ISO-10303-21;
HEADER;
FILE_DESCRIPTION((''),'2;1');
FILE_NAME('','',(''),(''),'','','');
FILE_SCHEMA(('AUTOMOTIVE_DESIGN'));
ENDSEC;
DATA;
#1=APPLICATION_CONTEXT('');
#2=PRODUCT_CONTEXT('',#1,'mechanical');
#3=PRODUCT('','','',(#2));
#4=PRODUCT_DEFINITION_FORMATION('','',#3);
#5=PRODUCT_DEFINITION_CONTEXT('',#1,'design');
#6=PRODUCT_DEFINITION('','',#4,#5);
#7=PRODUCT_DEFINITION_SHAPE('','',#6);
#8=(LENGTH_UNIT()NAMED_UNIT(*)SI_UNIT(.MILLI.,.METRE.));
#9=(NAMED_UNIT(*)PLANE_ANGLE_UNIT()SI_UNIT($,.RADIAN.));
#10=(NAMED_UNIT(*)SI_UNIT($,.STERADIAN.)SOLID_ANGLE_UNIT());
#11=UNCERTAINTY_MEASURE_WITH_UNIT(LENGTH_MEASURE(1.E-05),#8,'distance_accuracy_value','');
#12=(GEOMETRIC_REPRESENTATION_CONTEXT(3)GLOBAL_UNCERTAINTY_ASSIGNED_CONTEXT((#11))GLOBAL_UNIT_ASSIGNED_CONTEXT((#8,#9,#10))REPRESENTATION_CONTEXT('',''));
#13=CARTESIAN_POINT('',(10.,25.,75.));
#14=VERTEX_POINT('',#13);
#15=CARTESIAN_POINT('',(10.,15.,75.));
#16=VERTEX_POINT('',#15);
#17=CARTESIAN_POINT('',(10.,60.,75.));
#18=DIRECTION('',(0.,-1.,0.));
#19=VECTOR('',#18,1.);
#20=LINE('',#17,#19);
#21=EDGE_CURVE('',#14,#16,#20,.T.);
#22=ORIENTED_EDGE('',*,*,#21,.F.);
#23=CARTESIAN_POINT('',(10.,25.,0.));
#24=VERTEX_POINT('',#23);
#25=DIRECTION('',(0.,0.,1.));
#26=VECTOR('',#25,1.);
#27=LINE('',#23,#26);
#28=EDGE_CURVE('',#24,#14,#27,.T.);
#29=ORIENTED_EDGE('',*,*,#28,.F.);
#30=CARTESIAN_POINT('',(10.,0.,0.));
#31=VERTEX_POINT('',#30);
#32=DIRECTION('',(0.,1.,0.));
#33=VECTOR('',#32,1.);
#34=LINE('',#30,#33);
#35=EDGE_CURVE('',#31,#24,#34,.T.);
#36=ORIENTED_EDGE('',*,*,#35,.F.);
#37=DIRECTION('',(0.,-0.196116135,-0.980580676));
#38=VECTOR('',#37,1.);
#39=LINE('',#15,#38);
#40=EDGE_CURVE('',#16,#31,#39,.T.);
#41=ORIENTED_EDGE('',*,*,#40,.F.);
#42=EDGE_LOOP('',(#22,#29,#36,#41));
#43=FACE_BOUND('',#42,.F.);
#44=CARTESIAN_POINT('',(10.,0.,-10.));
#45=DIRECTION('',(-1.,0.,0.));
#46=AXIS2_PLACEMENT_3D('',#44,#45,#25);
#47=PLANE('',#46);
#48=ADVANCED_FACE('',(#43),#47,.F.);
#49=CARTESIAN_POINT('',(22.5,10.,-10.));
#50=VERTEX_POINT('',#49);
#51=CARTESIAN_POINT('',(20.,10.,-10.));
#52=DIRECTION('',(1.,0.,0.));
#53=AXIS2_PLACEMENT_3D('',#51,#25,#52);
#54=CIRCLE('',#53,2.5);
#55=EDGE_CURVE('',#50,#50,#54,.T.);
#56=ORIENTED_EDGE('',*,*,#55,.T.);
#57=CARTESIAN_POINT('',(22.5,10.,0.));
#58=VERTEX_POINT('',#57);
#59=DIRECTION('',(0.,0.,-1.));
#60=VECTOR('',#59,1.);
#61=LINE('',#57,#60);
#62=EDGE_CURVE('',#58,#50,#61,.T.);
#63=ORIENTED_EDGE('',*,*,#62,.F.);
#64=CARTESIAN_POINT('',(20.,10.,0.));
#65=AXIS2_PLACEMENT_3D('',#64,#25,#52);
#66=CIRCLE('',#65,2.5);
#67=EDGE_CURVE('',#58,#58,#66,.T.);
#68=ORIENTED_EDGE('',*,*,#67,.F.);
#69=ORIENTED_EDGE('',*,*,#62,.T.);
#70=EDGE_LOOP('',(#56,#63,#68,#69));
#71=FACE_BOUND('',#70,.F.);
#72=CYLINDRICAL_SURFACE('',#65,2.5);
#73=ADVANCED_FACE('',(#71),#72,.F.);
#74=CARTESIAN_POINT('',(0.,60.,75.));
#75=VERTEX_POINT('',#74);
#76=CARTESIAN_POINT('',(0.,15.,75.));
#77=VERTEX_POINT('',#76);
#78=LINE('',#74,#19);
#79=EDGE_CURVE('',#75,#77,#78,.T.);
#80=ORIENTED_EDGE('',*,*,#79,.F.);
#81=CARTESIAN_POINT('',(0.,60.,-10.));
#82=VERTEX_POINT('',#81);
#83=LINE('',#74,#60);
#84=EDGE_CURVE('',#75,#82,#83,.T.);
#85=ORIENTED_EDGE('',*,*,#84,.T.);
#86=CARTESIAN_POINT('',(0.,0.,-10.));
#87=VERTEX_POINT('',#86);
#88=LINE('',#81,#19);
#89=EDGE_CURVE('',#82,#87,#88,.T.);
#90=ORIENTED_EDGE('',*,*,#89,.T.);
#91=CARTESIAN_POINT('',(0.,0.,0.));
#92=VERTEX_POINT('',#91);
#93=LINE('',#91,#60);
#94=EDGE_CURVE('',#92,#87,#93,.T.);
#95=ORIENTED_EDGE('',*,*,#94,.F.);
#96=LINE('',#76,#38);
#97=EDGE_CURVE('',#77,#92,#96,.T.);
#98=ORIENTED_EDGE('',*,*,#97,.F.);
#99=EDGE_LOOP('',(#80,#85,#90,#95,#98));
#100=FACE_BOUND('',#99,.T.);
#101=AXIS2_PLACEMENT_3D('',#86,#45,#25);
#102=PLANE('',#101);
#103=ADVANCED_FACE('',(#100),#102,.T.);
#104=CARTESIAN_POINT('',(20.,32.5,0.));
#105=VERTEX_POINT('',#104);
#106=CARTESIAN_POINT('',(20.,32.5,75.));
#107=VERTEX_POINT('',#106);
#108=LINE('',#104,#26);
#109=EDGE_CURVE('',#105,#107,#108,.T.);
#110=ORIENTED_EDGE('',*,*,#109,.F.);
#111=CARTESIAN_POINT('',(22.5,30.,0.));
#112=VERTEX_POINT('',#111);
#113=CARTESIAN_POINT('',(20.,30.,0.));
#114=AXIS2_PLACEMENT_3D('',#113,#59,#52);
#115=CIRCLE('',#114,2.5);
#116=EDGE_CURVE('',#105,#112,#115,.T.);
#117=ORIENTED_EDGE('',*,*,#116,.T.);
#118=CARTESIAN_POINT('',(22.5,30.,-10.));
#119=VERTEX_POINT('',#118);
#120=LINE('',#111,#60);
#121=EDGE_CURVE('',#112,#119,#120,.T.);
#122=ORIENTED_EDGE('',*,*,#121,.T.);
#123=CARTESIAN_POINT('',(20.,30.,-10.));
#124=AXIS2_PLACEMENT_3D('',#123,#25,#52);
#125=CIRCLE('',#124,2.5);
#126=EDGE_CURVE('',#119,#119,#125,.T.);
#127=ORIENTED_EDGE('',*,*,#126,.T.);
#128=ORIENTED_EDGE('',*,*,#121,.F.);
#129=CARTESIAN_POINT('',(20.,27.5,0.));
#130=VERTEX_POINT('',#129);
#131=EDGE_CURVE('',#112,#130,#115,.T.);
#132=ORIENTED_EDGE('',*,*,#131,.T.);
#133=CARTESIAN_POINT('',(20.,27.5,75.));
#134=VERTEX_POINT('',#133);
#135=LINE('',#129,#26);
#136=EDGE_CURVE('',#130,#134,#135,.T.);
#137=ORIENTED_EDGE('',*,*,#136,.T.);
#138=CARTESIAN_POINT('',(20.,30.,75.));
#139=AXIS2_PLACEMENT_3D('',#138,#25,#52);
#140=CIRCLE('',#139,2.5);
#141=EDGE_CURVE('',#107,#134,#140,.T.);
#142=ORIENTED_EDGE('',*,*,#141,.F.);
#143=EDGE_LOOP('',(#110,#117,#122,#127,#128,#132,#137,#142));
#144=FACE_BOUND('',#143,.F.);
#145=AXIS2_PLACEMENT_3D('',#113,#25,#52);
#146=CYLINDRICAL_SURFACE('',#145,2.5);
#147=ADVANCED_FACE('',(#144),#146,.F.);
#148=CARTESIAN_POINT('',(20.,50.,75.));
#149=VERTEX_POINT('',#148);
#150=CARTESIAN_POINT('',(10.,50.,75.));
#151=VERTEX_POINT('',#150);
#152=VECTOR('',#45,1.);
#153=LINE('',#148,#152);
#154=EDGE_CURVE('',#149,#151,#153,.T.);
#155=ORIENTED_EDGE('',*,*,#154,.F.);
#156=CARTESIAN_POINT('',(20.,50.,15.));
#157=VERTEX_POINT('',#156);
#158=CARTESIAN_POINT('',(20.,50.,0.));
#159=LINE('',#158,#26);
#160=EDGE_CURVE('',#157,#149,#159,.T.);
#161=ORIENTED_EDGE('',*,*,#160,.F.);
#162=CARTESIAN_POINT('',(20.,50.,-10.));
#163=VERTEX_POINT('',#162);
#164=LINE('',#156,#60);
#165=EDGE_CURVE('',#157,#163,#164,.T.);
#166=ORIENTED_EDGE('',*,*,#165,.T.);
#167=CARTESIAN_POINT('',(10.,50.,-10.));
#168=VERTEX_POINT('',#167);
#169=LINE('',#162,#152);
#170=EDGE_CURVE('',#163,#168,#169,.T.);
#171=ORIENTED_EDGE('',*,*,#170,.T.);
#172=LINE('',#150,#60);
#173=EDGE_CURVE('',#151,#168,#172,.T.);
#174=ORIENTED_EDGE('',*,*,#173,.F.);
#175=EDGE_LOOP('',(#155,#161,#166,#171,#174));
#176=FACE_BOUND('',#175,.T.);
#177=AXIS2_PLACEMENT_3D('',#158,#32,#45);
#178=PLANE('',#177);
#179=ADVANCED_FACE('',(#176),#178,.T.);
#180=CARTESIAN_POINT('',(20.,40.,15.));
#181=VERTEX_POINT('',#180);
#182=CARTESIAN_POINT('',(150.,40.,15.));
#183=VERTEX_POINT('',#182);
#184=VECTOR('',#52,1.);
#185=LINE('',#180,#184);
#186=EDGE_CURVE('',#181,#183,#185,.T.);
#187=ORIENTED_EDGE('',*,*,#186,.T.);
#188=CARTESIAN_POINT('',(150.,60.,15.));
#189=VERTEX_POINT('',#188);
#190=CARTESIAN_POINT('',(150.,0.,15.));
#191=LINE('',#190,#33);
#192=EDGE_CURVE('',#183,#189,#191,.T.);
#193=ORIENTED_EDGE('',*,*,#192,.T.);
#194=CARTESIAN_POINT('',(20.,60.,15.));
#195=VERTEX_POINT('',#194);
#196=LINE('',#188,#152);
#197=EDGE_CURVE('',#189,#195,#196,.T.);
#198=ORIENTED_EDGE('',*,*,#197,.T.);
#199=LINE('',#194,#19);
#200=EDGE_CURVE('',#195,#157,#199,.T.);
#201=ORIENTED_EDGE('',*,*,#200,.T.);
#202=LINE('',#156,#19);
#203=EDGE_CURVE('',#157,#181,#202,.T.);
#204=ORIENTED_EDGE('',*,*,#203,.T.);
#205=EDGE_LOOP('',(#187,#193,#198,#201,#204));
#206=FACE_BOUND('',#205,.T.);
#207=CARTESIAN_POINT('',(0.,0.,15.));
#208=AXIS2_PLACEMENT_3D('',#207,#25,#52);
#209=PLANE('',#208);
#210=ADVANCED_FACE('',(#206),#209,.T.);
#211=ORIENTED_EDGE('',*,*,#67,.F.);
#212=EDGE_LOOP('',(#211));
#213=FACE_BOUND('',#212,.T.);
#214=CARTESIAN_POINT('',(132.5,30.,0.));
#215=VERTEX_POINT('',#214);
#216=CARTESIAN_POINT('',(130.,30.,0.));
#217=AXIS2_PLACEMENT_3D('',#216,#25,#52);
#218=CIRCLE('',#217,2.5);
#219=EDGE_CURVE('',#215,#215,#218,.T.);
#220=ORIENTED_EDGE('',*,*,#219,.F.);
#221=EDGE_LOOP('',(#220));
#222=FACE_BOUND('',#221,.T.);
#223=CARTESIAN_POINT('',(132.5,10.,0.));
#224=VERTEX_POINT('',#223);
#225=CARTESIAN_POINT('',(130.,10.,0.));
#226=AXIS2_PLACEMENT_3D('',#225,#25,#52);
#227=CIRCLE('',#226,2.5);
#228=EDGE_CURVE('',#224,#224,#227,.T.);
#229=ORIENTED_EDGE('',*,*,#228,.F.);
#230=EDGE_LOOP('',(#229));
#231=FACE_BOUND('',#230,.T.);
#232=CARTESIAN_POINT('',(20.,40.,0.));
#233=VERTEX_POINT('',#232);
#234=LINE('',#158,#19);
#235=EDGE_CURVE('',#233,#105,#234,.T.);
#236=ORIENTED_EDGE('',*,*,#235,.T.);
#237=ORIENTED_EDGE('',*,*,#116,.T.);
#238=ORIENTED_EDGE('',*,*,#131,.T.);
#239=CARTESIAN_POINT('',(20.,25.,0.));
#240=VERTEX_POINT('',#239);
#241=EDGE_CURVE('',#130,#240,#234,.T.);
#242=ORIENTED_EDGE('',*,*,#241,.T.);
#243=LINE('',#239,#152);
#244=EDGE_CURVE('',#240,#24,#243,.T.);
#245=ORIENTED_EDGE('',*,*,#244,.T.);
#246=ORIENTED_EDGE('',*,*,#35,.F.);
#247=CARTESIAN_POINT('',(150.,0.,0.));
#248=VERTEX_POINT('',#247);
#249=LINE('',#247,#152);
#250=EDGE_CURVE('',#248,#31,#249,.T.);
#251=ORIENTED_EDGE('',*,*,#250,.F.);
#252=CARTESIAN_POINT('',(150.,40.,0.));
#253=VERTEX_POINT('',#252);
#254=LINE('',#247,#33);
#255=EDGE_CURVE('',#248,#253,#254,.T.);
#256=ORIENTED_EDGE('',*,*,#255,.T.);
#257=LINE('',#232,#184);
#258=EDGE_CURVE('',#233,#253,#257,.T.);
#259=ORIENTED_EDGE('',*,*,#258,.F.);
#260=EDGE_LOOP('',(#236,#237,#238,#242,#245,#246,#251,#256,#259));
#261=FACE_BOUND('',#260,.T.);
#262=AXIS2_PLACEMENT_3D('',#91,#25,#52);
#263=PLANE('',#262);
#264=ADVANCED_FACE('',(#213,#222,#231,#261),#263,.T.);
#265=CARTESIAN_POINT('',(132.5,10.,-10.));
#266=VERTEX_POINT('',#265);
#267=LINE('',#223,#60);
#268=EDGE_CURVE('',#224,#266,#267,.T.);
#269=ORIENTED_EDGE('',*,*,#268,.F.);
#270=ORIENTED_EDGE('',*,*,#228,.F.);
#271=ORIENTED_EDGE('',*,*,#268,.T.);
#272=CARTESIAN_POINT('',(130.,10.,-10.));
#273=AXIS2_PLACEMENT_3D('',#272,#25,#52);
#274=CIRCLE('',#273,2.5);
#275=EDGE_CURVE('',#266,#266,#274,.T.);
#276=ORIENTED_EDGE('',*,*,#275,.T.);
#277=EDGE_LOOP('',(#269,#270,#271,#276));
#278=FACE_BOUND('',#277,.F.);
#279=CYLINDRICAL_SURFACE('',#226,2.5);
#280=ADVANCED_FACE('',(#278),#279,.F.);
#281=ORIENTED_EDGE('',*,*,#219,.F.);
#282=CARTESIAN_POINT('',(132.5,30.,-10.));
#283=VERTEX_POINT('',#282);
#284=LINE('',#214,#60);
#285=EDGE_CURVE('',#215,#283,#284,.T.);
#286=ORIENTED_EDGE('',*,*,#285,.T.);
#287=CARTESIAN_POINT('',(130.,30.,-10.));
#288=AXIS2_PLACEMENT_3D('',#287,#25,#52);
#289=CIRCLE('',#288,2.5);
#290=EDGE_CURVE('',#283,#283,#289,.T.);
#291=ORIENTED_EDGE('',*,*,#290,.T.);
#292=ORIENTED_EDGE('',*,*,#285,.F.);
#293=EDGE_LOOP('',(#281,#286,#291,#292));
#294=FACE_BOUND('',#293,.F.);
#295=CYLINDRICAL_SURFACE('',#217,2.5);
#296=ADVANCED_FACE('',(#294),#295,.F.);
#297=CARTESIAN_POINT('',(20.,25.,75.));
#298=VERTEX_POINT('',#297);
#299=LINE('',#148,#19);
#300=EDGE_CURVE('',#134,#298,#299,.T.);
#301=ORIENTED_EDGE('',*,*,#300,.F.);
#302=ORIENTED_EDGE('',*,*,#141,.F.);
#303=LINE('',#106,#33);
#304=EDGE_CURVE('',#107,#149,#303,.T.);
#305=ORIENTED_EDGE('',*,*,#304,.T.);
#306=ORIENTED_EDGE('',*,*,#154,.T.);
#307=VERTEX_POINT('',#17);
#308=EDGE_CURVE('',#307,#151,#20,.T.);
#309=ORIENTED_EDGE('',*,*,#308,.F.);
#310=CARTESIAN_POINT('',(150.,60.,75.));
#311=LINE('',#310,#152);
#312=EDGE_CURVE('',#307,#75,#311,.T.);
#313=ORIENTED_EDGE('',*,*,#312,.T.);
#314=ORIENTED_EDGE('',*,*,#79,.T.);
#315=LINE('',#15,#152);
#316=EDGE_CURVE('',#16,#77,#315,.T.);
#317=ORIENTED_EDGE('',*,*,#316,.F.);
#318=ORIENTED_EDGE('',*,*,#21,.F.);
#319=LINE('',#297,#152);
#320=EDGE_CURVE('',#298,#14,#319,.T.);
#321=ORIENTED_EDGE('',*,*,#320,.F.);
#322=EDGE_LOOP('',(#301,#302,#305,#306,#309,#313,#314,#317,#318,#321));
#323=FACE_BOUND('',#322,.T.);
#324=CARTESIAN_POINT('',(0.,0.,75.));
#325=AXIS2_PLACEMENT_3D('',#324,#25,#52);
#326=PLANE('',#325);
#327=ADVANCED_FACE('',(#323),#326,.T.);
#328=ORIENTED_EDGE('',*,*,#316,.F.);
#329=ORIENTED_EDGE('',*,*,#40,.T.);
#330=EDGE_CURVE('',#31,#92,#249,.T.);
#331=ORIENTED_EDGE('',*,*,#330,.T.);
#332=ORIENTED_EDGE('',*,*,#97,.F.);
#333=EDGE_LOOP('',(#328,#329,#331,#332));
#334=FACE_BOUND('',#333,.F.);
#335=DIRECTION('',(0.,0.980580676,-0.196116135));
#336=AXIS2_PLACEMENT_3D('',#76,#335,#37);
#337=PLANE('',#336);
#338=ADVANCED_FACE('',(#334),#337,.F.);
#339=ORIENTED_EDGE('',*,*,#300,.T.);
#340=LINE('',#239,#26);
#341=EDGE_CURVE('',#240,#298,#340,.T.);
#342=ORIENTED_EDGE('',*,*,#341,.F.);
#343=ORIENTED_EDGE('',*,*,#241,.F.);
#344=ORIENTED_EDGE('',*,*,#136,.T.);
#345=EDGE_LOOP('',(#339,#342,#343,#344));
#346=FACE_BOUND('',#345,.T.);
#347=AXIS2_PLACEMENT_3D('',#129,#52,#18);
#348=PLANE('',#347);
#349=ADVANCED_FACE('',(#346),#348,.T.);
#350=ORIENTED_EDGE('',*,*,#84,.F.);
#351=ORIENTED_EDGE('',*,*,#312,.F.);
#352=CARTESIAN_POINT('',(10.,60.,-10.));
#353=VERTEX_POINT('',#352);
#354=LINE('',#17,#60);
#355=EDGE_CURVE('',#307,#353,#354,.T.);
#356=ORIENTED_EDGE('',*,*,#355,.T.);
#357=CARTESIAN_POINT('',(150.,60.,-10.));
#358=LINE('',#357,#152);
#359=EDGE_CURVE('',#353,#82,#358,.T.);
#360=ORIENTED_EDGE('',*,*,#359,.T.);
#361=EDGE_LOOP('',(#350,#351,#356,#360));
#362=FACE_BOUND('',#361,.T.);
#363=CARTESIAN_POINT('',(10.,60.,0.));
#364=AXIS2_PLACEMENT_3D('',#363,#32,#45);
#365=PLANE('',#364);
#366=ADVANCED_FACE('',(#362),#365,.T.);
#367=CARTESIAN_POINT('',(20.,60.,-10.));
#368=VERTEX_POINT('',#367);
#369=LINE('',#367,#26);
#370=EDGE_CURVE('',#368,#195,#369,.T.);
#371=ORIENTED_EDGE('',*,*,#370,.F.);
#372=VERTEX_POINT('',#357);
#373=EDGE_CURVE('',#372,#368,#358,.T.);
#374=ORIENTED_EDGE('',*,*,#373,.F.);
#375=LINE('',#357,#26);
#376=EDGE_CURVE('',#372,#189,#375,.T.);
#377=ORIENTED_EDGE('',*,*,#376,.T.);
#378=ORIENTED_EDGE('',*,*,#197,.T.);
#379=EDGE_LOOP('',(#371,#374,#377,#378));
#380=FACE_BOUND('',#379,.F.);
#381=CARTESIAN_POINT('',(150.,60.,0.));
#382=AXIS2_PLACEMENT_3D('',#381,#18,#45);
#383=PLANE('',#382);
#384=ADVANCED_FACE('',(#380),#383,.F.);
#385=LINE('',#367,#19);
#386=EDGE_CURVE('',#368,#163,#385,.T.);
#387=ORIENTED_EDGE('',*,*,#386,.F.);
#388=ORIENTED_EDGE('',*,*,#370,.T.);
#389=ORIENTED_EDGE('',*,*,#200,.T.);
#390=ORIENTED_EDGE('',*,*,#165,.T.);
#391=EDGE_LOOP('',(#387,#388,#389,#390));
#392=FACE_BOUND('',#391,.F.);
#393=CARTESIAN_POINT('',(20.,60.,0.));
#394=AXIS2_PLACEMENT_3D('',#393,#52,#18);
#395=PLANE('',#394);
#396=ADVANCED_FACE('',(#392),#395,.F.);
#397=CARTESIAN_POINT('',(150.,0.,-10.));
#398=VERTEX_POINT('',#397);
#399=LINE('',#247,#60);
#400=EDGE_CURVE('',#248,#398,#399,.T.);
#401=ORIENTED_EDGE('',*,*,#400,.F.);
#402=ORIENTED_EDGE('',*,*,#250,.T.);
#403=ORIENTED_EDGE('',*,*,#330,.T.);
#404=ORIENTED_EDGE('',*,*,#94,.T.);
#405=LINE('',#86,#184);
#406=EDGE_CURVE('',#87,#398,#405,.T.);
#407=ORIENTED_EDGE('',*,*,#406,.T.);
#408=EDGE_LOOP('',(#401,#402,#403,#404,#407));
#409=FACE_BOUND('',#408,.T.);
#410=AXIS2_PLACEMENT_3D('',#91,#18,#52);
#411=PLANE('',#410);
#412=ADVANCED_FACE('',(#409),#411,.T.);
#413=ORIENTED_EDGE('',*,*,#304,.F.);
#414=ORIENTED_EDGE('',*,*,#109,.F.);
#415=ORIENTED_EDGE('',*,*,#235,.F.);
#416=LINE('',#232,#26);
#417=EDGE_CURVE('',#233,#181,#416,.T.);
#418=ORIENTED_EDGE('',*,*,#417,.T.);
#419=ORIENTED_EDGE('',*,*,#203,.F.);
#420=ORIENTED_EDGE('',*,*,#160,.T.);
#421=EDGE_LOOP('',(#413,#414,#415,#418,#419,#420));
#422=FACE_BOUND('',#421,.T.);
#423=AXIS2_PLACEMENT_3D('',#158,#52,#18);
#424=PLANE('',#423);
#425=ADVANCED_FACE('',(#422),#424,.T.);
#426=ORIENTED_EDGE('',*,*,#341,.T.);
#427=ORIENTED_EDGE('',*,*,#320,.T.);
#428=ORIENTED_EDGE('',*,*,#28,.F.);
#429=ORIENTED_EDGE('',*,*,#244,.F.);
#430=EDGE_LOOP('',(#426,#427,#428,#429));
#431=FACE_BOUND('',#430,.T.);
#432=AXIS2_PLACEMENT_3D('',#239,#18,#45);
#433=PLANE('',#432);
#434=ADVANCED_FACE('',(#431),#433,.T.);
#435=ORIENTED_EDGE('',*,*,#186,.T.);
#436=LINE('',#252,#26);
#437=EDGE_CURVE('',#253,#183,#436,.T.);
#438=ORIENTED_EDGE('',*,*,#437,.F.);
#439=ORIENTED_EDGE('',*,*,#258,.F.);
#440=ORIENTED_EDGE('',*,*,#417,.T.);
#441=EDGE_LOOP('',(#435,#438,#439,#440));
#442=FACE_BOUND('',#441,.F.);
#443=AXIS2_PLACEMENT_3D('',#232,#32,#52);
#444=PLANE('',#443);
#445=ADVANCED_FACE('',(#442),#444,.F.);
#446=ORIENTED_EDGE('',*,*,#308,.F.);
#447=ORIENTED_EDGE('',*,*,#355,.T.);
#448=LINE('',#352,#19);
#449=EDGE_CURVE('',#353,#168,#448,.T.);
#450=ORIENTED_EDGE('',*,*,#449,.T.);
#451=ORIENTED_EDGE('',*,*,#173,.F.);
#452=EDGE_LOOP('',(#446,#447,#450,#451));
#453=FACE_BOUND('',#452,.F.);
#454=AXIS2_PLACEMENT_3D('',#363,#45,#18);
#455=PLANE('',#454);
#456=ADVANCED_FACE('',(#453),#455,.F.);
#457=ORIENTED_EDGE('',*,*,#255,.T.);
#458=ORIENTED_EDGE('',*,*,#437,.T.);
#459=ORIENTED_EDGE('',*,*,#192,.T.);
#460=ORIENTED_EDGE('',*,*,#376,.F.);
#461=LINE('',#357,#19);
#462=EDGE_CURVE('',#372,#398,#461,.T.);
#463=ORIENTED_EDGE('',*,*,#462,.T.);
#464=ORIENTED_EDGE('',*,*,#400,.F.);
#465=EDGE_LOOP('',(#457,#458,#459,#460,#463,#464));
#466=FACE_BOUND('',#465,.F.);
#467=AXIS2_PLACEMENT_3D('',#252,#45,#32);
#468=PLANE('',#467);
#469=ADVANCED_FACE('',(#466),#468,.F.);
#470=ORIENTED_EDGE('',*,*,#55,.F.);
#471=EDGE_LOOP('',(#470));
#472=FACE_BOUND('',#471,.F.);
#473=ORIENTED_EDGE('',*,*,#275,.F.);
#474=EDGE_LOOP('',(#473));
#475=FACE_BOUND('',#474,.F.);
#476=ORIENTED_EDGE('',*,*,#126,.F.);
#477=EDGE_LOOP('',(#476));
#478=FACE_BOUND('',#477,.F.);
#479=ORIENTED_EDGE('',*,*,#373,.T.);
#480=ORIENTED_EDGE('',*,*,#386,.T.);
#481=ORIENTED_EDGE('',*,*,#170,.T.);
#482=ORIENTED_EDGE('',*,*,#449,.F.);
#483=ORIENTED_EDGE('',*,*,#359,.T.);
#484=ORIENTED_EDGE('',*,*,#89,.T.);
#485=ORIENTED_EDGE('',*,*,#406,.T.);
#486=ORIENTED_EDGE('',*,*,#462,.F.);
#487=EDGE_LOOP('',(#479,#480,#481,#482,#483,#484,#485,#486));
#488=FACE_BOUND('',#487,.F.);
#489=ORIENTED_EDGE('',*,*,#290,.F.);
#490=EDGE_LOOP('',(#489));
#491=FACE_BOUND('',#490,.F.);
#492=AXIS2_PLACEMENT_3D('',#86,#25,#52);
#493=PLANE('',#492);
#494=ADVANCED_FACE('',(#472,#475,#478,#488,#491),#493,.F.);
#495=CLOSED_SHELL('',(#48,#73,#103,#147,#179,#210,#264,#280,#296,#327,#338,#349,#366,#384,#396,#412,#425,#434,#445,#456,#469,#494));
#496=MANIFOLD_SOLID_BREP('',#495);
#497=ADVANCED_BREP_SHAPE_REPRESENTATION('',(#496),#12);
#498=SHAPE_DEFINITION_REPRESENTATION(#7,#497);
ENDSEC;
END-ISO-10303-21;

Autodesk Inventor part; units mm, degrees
ref_plane "YZ Plane" through (0, 0, 0) normal (1, 0, 0) x (0, 1, 0)
ref_plane "XZ Plane" through (0, 0, 0) normal (0, 1, 0) x (-1, 0, 0)
ref_plane "XY Plane" through (0, 0, 0) normal (0, 0, 1) x (1, 0, 0)
sketch "스케치1" plane through (0, 0, 0) normal (0, 0, 1) x (1, 0, 0)
  line L0 (0, 0) -> (150, 0)
  line L1 (150, 0) -> (150, 60)
  line L2 (150, 60) -> (0, 60)
  line L3 (0, 60) -> (0, 0)
  circle A0 centre (20, 30) radius 2.5
  circle A1 centre (20, 10) radius 2.5
  circle A2 centre (130, 30) radius 2.5
  circle A3 centre (130, 10) radius 2.5
  line L4 (10, 60) -> (10, 0)
  line L5 (20, 60) -> (20, 50)
  line L6 (20, 50) -> (10, 50)
  line L7 (20, 50) -> (20, 25)
  line L8 (20, 25) -> (10, 25)
  line L9 (10, 15) -> (0, 15)
  line L10 (20, 40) -> (150, 40)
  point P0 (20, 27.5)
  point P1 (20, 32.5)
  dimension "d0" = 5
  dimension "d1" = 30
  dimension "d2" = 20
  dimension "d3" = 20
  dimension "d4" = 150
  dimension "d5" = 20
  dimension "d6" = 60
  dimension "d7" = 10
  dimension "d8" = 10
  dimension "d9" = 10
  dimension "d10" = 10
  dimension "d11" = 25
  dimension "d16" = 10
  dimension "d19" = 20
extrude "돌출1" add sketch "스케치1" against normal blind 10 contours L3 L9 L4 L0 | L4 L8 L7 A0 L10 L1 L0 | L3 L2 L4 L9 | L10 L7 L5 L2 L1 | L4 L6 L7 A0 L8
extrude "돌출2" add sketch "스케치1" along normal blind 75 contours L3 L2 L4 L9 | L4 L6 L7 A0 L8
sketch "스케치2" plane through (0, 0, -10) normal (-1, 0, 0) x (0, 0, 1)
  line L0 (0, 60) -> (85, 60) projected
  line L1 (0, 0) -> (0, 60) projected
  line L2 (10, 0) -> (0, 0) projected
  line L3 (10, 15) -> (10, 0) projected
  line L4 (10, 15) -> (85, 15) projected
  line L5 (85, 60) -> (85, 15) projected
  line L6 (85, 15) -> (10, 0)
extrude "돌출3" add sketch "스케치2" against normal up to surface (10 mm away) contours L6 L3 L4
extrude "돌출4" add sketch "스케치1" along normal blind 15 contours L10 L7 L5 L2 L1
properties part number "NewModuleConnectorLeft_3D 인쇄"
